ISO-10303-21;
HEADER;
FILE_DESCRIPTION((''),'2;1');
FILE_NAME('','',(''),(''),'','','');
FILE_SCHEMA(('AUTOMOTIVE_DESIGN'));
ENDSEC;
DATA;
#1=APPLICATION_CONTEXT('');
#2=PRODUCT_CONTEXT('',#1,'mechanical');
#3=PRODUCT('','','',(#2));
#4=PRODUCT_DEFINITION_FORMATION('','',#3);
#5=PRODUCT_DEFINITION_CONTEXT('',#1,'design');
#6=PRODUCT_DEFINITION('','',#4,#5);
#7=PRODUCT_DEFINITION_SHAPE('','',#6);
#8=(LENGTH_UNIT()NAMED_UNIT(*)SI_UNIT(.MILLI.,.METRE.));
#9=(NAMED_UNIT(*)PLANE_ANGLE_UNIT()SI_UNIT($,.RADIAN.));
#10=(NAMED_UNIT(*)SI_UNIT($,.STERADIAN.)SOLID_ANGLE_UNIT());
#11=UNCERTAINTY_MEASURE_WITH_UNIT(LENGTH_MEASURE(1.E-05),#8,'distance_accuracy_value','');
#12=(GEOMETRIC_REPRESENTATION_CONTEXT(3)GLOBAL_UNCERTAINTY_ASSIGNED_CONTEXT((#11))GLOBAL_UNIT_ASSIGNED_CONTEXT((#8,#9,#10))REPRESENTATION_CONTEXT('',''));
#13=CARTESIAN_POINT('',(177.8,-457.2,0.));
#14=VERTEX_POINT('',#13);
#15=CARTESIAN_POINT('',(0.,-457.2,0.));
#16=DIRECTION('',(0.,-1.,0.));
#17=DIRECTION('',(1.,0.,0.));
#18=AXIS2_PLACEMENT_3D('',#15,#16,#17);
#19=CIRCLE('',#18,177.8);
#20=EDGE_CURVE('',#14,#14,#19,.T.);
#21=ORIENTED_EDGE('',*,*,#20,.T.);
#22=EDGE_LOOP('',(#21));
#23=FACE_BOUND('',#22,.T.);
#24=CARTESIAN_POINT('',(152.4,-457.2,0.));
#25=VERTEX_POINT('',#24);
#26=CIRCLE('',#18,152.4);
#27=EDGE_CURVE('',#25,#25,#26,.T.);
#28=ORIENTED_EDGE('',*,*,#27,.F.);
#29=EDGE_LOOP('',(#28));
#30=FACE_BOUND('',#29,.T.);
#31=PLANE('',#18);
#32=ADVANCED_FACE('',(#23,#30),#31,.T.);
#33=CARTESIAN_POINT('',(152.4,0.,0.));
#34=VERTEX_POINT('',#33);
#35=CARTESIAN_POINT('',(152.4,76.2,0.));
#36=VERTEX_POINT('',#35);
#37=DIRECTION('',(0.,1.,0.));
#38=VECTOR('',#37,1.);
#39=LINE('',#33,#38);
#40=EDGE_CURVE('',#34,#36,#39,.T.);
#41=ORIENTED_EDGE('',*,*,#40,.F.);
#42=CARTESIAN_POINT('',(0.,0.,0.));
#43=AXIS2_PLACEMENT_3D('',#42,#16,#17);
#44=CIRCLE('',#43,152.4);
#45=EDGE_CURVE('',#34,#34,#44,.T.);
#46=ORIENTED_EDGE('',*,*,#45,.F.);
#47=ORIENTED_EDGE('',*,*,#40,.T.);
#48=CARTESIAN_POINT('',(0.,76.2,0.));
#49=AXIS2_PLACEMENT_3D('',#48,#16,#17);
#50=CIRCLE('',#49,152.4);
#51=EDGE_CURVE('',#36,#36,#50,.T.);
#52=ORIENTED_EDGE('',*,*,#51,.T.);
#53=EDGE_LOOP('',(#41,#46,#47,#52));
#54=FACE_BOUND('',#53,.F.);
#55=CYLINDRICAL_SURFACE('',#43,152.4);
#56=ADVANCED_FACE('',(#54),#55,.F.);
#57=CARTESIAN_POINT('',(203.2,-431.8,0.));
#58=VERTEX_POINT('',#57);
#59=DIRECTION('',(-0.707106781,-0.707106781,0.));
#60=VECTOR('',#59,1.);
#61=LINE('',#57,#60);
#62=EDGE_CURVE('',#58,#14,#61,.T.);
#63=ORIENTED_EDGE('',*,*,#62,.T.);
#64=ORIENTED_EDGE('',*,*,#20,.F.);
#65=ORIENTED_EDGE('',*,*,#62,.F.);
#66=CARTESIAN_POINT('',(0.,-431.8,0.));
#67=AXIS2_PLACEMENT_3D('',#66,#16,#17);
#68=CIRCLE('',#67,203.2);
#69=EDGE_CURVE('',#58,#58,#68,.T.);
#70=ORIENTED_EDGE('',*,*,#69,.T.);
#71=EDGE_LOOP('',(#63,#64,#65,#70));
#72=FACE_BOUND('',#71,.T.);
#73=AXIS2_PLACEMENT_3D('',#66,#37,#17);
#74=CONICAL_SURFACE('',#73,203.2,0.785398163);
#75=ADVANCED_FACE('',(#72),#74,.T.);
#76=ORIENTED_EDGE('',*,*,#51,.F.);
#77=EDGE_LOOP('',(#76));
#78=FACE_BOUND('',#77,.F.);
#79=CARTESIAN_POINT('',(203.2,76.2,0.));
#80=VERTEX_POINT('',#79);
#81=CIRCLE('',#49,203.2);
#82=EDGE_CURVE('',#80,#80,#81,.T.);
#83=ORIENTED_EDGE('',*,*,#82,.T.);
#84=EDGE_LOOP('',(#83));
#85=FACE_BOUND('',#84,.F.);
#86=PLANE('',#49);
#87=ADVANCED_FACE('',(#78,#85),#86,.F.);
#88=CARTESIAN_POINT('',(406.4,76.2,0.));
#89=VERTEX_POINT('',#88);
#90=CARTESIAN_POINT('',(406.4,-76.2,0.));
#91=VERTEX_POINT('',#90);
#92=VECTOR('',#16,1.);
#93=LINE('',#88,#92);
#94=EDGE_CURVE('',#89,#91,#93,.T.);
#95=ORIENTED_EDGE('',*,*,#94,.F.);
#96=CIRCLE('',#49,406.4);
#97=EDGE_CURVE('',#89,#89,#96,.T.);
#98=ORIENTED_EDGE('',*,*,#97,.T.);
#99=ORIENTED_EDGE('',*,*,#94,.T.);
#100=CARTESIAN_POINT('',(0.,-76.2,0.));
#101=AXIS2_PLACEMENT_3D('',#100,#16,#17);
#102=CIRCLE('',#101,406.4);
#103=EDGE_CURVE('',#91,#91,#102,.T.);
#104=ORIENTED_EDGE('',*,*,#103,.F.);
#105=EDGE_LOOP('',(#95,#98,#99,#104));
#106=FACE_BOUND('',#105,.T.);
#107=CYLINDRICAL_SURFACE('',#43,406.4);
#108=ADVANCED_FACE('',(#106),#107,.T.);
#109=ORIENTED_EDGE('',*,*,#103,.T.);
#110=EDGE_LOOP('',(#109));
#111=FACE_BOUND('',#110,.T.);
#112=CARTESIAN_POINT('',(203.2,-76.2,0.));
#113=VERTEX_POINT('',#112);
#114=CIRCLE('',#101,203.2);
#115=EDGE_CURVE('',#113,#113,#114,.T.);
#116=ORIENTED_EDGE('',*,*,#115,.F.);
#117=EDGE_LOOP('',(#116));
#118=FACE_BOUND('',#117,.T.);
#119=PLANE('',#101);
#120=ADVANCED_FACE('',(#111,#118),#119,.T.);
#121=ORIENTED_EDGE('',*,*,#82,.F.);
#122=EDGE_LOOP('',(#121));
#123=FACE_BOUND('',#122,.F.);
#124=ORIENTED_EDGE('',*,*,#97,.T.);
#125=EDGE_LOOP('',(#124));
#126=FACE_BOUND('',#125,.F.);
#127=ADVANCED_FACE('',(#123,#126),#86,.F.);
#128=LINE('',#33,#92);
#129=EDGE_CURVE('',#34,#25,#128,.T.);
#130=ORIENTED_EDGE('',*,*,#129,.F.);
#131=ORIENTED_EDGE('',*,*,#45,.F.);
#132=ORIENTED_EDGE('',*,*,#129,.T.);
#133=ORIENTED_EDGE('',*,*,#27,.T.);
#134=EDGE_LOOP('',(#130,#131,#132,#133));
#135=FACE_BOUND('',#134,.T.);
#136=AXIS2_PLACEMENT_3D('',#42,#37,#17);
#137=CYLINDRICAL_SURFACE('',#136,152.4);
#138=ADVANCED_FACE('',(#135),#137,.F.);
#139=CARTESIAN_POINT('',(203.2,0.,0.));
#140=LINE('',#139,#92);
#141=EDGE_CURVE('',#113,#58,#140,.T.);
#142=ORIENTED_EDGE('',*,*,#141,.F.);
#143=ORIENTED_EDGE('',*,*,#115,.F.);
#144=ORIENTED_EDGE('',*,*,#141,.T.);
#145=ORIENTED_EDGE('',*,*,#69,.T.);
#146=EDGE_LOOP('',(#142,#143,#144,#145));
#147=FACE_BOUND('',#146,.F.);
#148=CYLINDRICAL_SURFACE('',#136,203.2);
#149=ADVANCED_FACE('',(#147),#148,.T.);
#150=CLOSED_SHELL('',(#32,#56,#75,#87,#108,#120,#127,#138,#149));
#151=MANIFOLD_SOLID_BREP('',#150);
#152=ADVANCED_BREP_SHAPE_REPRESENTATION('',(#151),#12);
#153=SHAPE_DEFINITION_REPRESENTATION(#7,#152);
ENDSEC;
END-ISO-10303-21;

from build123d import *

# Parameters (mm, degrees)
F0_R     = 406.4
F0_R_2   = 203.2
F1_DEPTH = 76.2
F0_R_3   = 152.4
F2_DEPTH = 457.2
F3_DEPTH = 754.38
F4_SIZE  = 25.4
F5_DEPTH = 76.2


with BuildPart() as f1:
    # F0 (on Front) → F1 (new body, symmetric)
    with BuildSketch(Plane.XZ):
        Circle(F0_R)
        Circle(F0_R_2, mode=Mode.SUBTRACT)
    extrude(amount=F1_DEPTH, both=True)

    # F0 (on Front) → F2 (join)
    with BuildSketch(Plane.XZ):
        Circle(F0_R_2)
        Circle(F0_R_3, mode=Mode.SUBTRACT)
    extrude(amount=F2_DEPTH)

    # F0 (on Front) → F3 (cut)
    with BuildSketch(Plane.XZ):
        Circle(F0_R_3)
    extrude(amount=-F3_DEPTH, mode=Mode.SUBTRACT)

    # F4
    f4_edges = [f1.edges().sort_by_distance(p)[0] for p in [
        (-203.2, -457.2, 0),
    ]]
    chamfer(f4_edges, length=F4_SIZE)

    # F5 (add): a face of the model
    f5_faces = [f1.faces().sort_by_distance(p)[0] for p in [
        (-197.4526360825, 0, 0),
    ]]
    extrude(f5_faces, amount=F5_DEPTH)


solid = f1.part
